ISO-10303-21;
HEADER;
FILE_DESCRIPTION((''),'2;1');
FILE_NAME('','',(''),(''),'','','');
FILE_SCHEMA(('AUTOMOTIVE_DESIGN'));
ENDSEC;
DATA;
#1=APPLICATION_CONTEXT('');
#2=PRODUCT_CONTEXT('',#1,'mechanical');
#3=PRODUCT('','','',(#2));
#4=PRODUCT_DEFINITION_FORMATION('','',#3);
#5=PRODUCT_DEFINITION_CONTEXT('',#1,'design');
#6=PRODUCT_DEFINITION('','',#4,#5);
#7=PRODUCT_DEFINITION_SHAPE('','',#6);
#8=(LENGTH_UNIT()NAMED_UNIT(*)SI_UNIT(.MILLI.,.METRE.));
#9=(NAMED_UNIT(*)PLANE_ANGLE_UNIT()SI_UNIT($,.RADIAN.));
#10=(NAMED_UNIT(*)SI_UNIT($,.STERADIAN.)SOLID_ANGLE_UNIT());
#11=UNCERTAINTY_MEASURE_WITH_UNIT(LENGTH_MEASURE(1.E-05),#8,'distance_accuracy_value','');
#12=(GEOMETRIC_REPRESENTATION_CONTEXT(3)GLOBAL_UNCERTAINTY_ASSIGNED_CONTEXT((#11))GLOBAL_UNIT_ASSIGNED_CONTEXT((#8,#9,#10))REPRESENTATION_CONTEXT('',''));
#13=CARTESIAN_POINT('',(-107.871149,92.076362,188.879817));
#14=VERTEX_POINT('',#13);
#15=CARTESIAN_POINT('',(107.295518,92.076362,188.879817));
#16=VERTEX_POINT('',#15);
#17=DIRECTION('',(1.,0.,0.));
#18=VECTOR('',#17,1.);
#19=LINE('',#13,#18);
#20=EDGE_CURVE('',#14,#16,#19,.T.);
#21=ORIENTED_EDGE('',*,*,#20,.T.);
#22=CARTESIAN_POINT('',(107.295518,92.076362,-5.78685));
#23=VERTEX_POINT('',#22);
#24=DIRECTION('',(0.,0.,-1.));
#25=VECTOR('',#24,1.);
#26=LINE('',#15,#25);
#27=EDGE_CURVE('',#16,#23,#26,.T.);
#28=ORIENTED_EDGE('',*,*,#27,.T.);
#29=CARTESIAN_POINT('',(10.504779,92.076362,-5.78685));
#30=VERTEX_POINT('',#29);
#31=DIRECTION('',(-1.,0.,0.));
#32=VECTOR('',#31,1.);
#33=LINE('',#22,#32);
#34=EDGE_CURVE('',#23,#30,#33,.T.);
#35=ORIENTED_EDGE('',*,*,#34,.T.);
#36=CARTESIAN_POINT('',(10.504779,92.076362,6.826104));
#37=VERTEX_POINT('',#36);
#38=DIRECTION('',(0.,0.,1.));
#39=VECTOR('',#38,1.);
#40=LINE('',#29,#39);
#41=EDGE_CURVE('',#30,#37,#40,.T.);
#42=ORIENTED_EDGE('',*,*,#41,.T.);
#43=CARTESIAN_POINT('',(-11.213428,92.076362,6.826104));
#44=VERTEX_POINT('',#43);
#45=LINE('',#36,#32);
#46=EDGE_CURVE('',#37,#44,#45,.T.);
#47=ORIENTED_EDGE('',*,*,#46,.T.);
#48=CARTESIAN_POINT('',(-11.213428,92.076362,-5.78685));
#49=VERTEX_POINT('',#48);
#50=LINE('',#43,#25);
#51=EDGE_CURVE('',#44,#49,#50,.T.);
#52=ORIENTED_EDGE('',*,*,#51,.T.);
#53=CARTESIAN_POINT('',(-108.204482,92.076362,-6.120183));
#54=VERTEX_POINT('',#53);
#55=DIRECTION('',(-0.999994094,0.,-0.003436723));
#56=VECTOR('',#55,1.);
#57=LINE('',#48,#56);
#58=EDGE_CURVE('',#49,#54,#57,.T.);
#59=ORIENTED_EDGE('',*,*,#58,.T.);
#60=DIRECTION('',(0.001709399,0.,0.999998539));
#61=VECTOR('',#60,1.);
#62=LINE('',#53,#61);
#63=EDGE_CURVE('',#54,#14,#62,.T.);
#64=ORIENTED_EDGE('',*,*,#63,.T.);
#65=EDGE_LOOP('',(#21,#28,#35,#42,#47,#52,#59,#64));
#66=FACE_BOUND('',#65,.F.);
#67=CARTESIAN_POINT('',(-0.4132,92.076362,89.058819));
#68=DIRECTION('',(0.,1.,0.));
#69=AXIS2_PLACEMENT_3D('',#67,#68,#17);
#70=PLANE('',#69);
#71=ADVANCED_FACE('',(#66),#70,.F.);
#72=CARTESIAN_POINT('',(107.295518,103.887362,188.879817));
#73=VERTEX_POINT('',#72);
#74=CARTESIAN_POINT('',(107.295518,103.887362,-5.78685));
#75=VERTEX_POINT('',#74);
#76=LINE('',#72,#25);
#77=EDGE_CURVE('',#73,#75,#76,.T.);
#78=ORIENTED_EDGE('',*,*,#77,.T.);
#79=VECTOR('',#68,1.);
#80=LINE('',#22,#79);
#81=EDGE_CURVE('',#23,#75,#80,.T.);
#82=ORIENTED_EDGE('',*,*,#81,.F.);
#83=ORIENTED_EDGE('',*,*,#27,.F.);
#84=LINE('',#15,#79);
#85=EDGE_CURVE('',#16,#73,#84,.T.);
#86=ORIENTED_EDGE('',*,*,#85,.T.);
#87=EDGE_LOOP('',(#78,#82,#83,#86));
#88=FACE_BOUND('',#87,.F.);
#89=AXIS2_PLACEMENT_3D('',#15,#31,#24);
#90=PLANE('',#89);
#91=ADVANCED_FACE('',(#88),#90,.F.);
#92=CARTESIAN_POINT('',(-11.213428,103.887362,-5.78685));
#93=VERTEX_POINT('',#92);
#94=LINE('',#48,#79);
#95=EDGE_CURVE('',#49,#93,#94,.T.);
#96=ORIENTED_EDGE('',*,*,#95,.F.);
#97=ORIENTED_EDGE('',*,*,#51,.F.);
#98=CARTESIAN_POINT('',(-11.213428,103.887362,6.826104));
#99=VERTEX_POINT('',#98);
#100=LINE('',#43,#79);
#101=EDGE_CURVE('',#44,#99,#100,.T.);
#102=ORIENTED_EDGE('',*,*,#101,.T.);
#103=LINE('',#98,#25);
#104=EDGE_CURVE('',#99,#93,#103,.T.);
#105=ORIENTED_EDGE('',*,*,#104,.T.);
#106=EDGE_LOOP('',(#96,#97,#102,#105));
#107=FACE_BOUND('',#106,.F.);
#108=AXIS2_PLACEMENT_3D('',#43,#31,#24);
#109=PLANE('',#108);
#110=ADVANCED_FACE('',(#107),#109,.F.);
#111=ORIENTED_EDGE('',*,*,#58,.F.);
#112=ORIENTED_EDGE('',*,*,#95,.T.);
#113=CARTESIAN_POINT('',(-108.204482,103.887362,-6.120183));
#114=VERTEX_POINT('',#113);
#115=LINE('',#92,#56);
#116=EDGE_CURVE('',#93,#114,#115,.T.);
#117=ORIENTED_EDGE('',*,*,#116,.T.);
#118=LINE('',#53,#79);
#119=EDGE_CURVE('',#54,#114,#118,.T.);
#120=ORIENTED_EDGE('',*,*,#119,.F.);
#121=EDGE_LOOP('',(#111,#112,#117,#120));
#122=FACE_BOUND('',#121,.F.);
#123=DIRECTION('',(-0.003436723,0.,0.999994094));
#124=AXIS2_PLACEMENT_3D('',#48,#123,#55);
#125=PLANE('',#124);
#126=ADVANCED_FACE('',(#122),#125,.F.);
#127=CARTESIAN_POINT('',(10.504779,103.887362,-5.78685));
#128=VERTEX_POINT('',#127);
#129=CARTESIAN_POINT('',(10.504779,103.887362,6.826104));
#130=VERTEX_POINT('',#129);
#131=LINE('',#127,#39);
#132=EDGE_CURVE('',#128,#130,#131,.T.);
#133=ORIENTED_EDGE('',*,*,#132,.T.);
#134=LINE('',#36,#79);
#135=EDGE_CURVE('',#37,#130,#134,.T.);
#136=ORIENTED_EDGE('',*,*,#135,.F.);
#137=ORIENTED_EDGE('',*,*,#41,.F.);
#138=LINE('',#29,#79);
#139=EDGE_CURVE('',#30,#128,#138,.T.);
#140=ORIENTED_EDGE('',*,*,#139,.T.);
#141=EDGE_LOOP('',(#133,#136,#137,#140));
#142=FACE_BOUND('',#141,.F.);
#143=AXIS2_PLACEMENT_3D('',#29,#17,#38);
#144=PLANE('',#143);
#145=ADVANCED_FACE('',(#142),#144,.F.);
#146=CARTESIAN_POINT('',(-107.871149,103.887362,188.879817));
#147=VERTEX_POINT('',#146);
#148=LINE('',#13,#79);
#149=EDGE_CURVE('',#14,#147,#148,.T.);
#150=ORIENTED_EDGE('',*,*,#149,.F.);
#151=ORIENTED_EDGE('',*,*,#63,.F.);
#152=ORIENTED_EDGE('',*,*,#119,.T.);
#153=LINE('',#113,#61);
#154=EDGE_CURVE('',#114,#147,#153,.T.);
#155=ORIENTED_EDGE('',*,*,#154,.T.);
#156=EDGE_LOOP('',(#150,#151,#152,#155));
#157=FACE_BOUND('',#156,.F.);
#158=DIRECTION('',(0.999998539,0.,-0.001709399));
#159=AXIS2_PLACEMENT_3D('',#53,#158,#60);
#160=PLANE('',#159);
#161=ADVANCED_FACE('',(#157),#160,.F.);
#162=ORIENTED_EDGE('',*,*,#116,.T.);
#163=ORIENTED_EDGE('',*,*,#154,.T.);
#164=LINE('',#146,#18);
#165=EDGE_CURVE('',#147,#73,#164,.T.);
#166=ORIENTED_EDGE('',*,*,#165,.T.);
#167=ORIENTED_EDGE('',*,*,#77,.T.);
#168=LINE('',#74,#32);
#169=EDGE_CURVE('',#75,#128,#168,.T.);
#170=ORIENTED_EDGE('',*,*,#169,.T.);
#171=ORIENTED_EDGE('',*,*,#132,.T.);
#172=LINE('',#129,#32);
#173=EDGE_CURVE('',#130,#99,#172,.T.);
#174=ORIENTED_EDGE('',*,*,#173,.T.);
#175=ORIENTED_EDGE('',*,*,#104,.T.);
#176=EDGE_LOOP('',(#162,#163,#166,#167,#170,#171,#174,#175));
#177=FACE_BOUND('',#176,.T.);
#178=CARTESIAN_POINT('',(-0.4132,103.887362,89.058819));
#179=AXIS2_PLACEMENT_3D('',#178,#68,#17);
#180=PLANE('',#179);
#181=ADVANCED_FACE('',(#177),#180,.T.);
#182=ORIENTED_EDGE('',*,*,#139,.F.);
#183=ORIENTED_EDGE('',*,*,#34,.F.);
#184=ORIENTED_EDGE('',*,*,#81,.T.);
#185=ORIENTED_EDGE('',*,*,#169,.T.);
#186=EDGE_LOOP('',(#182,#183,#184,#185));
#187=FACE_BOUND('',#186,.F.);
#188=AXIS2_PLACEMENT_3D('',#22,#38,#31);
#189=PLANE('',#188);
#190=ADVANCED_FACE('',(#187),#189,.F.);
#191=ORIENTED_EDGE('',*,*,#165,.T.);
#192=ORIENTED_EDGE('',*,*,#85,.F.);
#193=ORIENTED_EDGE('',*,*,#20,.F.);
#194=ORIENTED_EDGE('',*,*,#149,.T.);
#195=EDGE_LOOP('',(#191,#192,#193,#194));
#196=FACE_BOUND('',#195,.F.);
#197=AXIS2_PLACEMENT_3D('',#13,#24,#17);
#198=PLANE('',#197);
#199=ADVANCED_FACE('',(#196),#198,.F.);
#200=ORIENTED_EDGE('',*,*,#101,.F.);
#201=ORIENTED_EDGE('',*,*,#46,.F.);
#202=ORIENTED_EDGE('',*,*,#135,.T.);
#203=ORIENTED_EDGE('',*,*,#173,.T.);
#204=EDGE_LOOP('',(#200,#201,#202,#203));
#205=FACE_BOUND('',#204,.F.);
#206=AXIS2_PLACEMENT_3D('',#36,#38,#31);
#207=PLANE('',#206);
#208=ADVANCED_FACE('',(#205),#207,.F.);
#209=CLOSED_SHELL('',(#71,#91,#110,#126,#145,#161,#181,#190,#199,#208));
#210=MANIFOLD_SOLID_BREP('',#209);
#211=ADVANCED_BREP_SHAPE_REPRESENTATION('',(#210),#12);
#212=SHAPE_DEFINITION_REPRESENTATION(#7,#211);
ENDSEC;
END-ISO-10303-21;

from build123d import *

# Parameters (mm, degrees)
BOSS_EXTRUDE1_DEPTH = 11.811


with BuildPart() as part:
    # Sketch2 → Boss-Extrude1 (new body)
    with BuildSketch(Plane(origin=(0, 92.076361751, 0), x_dir=(1, 0, 0), z_dir=(0, 1, 0))):
        Polygon((-11.213428319, -6.8261037), (-11.213428319, 5.786849537), (-108.204482014, 6.120182871), (-107.871148681, -188.879817129), (107.295517986, -188.879817129), (107.295517986, 5.786849537), (10.504779391, 5.786849537), (10.504779391, -6.8261037), align=None)
    extrude(amount=BOSS_EXTRUDE1_DEPTH)


solid = part.part
